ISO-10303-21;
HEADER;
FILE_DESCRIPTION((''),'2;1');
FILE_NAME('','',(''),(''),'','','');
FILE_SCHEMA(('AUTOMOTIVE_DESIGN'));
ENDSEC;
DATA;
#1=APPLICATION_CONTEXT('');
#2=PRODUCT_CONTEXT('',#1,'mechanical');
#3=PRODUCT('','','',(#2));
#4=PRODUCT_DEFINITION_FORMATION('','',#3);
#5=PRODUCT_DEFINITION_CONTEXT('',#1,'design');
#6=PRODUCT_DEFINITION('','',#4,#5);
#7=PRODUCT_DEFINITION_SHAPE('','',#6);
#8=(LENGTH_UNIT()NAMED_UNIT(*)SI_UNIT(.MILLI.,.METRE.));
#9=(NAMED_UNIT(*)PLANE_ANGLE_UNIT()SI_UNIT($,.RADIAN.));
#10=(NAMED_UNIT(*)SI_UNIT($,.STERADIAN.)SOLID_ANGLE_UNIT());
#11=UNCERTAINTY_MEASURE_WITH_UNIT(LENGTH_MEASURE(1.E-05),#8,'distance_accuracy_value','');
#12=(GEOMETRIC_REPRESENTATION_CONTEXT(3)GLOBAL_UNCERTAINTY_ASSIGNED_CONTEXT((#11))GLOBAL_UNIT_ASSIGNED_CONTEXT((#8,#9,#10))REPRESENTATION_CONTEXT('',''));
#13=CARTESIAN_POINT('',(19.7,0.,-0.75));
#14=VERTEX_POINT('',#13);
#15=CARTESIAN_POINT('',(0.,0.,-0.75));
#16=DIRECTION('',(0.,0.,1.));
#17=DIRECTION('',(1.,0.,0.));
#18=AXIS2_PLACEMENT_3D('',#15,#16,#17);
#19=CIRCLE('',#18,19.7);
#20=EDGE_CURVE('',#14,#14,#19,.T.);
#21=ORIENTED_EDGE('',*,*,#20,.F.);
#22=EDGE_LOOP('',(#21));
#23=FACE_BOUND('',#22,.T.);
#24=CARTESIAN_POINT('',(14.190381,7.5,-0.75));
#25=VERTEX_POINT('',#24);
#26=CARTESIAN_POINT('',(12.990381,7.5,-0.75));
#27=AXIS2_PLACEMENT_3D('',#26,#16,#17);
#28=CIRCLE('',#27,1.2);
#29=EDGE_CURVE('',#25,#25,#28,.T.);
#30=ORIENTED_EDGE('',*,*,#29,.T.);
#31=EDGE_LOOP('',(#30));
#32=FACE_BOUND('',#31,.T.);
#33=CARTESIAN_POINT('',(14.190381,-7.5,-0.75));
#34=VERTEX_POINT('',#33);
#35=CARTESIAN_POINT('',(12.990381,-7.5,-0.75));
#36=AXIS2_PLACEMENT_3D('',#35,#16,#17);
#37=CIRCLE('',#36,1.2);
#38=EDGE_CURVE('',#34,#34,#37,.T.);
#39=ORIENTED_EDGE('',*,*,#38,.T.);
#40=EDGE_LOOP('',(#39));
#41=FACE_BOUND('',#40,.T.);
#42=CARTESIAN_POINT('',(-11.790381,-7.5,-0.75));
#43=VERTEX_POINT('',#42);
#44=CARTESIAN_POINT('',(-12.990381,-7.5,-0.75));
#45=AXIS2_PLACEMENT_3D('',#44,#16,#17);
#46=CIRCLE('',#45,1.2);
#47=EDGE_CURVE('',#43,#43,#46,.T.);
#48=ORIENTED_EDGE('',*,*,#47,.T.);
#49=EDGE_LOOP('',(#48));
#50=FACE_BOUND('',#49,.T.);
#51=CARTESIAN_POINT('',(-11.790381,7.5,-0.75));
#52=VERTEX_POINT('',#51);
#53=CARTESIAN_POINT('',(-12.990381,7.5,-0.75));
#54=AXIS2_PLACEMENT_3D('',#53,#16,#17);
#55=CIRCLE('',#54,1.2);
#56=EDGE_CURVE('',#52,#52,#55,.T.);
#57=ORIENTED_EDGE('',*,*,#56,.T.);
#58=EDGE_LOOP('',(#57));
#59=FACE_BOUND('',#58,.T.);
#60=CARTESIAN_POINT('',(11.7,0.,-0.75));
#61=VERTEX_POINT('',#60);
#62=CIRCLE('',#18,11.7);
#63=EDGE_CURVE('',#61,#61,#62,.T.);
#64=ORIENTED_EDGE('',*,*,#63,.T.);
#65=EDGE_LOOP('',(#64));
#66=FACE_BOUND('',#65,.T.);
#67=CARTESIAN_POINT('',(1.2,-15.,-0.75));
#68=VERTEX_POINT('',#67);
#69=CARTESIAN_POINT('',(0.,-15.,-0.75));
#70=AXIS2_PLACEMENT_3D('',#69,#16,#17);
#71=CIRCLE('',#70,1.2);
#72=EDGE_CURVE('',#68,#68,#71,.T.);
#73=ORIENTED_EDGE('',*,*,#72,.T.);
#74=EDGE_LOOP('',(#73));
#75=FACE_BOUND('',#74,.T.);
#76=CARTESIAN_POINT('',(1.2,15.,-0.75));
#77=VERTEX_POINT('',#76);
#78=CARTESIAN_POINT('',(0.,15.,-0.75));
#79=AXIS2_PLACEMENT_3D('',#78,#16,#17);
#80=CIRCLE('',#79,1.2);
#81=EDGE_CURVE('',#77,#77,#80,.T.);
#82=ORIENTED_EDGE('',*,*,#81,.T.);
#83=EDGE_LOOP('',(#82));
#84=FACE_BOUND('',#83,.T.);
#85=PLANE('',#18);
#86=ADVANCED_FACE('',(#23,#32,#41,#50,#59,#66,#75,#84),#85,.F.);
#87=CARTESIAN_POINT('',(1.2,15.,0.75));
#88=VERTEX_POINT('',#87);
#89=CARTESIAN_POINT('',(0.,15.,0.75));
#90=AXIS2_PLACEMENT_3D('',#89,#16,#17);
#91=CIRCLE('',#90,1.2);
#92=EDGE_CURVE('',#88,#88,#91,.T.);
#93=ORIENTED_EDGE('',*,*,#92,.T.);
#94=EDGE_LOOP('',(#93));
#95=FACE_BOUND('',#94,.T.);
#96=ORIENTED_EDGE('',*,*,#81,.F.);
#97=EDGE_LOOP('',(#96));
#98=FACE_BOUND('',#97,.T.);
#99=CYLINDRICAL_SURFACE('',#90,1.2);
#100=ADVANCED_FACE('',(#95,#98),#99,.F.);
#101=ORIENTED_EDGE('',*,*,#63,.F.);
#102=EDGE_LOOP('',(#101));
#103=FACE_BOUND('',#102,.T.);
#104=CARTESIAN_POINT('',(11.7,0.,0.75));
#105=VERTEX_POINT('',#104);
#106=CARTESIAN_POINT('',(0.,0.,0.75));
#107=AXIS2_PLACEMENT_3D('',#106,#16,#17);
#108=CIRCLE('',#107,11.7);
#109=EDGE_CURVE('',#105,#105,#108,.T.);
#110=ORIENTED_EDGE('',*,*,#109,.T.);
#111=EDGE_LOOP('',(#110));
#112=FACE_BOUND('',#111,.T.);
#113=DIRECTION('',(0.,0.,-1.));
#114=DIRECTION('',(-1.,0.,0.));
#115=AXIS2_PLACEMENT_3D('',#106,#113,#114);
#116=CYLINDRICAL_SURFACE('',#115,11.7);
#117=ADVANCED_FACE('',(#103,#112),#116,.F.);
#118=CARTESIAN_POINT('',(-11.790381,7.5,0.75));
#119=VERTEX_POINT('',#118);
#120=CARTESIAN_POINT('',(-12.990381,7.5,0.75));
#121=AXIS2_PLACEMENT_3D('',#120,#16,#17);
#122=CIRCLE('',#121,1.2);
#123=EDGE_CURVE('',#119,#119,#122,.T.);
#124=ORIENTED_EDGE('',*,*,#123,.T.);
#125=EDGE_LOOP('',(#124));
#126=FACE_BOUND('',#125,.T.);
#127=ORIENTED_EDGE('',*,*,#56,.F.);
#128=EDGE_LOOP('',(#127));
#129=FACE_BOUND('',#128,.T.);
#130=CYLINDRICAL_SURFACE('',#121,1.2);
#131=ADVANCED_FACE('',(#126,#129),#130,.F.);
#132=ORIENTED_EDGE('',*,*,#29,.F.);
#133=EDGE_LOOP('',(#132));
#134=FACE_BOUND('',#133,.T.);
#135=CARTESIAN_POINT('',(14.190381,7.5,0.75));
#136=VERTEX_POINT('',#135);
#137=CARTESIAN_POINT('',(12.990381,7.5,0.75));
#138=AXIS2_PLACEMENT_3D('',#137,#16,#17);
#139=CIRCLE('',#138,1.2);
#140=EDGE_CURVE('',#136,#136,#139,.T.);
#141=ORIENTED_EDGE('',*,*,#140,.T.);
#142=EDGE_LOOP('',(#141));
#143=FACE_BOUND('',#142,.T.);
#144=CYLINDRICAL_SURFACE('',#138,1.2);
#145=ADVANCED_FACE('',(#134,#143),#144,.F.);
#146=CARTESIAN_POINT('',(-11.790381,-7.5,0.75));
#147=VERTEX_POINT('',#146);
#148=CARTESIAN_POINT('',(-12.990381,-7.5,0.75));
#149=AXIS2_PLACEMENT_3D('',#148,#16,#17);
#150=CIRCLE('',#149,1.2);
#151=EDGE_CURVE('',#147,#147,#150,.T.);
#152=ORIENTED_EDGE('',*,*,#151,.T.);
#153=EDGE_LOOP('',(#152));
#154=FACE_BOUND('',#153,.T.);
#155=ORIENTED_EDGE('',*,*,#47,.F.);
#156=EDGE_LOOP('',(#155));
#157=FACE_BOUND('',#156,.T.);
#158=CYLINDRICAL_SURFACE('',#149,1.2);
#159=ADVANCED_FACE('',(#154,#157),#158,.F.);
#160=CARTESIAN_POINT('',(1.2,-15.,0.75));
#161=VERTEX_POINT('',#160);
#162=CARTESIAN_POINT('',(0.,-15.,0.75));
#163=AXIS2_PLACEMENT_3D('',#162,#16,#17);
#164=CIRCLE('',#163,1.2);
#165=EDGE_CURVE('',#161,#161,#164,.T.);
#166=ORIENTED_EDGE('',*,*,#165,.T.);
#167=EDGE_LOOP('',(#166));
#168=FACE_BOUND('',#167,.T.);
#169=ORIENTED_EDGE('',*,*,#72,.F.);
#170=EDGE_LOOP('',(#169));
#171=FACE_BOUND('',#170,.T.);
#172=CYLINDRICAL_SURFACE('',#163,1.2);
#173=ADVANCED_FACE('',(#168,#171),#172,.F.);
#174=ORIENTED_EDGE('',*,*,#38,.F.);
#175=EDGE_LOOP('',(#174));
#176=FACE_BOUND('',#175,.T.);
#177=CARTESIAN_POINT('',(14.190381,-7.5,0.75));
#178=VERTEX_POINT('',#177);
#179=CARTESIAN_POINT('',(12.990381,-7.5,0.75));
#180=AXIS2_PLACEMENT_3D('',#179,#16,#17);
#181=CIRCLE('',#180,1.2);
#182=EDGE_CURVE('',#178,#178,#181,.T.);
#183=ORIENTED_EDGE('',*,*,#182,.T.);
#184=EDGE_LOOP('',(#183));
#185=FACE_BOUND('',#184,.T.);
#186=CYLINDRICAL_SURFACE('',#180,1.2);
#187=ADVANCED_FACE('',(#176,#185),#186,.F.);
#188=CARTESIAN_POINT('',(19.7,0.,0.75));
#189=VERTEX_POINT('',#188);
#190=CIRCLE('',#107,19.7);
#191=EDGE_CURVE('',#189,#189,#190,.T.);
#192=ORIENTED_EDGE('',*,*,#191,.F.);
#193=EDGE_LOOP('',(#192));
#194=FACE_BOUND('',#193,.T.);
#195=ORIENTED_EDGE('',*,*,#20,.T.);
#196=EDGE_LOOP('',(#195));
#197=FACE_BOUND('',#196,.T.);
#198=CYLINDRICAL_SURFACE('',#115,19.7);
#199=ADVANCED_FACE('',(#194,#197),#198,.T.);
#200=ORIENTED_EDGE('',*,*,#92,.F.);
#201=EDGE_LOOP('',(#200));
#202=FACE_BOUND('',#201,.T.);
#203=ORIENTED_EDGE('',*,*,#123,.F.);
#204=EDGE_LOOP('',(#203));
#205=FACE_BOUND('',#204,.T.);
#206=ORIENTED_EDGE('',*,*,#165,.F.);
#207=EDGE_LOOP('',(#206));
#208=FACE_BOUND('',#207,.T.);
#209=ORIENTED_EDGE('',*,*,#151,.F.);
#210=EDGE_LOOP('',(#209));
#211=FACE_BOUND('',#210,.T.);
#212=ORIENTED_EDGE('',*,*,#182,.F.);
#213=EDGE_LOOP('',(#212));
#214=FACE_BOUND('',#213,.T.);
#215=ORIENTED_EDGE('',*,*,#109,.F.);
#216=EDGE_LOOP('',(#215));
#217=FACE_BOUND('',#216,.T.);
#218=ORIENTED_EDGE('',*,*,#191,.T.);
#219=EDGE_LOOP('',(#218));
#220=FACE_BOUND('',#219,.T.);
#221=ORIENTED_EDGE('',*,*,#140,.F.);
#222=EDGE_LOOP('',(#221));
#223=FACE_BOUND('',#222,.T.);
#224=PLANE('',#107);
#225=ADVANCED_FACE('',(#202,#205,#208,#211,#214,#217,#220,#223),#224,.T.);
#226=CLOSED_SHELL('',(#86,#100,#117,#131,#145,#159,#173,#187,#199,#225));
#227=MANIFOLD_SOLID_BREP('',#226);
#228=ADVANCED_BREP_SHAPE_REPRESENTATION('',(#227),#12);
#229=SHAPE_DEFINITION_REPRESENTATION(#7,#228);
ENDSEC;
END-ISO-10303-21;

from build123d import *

# Parameters (mm, degrees)
SKETCH1_R                = 19.7
SKETCH1_R_2              = 11.7
BOSS_EXTRUDE1_DEPTH      = 0.75
M2_CLEARANCE_HOLE1_D     = 2.4
M2_CLEARANCE_HOLE1_DEPTH = 1.5


with BuildPart() as part:
    # Sketch1 → Boss-Extrude1 (new body, symmetric)
    with BuildSketch(Plane.XY):
        Circle(SKETCH1_R)
        Circle(SKETCH1_R_2, mode=Mode.SUBTRACT)
    extrude(amount=BOSS_EXTRUDE1_DEPTH, both=True)

    # M2 Clearance Hole1
    with Locations(Plane.XY.offset(0.75)):
        with Locations((-12.990381057, 7.5), (0, 15), (12.990381057, 7.5), (12.990381057, -7.5), (0, -15), (-12.990381057, -7.5)):
            Hole(M2_CLEARANCE_HOLE1_D / 2, depth=M2_CLEARANCE_HOLE1_DEPTH)


solid = part.part
